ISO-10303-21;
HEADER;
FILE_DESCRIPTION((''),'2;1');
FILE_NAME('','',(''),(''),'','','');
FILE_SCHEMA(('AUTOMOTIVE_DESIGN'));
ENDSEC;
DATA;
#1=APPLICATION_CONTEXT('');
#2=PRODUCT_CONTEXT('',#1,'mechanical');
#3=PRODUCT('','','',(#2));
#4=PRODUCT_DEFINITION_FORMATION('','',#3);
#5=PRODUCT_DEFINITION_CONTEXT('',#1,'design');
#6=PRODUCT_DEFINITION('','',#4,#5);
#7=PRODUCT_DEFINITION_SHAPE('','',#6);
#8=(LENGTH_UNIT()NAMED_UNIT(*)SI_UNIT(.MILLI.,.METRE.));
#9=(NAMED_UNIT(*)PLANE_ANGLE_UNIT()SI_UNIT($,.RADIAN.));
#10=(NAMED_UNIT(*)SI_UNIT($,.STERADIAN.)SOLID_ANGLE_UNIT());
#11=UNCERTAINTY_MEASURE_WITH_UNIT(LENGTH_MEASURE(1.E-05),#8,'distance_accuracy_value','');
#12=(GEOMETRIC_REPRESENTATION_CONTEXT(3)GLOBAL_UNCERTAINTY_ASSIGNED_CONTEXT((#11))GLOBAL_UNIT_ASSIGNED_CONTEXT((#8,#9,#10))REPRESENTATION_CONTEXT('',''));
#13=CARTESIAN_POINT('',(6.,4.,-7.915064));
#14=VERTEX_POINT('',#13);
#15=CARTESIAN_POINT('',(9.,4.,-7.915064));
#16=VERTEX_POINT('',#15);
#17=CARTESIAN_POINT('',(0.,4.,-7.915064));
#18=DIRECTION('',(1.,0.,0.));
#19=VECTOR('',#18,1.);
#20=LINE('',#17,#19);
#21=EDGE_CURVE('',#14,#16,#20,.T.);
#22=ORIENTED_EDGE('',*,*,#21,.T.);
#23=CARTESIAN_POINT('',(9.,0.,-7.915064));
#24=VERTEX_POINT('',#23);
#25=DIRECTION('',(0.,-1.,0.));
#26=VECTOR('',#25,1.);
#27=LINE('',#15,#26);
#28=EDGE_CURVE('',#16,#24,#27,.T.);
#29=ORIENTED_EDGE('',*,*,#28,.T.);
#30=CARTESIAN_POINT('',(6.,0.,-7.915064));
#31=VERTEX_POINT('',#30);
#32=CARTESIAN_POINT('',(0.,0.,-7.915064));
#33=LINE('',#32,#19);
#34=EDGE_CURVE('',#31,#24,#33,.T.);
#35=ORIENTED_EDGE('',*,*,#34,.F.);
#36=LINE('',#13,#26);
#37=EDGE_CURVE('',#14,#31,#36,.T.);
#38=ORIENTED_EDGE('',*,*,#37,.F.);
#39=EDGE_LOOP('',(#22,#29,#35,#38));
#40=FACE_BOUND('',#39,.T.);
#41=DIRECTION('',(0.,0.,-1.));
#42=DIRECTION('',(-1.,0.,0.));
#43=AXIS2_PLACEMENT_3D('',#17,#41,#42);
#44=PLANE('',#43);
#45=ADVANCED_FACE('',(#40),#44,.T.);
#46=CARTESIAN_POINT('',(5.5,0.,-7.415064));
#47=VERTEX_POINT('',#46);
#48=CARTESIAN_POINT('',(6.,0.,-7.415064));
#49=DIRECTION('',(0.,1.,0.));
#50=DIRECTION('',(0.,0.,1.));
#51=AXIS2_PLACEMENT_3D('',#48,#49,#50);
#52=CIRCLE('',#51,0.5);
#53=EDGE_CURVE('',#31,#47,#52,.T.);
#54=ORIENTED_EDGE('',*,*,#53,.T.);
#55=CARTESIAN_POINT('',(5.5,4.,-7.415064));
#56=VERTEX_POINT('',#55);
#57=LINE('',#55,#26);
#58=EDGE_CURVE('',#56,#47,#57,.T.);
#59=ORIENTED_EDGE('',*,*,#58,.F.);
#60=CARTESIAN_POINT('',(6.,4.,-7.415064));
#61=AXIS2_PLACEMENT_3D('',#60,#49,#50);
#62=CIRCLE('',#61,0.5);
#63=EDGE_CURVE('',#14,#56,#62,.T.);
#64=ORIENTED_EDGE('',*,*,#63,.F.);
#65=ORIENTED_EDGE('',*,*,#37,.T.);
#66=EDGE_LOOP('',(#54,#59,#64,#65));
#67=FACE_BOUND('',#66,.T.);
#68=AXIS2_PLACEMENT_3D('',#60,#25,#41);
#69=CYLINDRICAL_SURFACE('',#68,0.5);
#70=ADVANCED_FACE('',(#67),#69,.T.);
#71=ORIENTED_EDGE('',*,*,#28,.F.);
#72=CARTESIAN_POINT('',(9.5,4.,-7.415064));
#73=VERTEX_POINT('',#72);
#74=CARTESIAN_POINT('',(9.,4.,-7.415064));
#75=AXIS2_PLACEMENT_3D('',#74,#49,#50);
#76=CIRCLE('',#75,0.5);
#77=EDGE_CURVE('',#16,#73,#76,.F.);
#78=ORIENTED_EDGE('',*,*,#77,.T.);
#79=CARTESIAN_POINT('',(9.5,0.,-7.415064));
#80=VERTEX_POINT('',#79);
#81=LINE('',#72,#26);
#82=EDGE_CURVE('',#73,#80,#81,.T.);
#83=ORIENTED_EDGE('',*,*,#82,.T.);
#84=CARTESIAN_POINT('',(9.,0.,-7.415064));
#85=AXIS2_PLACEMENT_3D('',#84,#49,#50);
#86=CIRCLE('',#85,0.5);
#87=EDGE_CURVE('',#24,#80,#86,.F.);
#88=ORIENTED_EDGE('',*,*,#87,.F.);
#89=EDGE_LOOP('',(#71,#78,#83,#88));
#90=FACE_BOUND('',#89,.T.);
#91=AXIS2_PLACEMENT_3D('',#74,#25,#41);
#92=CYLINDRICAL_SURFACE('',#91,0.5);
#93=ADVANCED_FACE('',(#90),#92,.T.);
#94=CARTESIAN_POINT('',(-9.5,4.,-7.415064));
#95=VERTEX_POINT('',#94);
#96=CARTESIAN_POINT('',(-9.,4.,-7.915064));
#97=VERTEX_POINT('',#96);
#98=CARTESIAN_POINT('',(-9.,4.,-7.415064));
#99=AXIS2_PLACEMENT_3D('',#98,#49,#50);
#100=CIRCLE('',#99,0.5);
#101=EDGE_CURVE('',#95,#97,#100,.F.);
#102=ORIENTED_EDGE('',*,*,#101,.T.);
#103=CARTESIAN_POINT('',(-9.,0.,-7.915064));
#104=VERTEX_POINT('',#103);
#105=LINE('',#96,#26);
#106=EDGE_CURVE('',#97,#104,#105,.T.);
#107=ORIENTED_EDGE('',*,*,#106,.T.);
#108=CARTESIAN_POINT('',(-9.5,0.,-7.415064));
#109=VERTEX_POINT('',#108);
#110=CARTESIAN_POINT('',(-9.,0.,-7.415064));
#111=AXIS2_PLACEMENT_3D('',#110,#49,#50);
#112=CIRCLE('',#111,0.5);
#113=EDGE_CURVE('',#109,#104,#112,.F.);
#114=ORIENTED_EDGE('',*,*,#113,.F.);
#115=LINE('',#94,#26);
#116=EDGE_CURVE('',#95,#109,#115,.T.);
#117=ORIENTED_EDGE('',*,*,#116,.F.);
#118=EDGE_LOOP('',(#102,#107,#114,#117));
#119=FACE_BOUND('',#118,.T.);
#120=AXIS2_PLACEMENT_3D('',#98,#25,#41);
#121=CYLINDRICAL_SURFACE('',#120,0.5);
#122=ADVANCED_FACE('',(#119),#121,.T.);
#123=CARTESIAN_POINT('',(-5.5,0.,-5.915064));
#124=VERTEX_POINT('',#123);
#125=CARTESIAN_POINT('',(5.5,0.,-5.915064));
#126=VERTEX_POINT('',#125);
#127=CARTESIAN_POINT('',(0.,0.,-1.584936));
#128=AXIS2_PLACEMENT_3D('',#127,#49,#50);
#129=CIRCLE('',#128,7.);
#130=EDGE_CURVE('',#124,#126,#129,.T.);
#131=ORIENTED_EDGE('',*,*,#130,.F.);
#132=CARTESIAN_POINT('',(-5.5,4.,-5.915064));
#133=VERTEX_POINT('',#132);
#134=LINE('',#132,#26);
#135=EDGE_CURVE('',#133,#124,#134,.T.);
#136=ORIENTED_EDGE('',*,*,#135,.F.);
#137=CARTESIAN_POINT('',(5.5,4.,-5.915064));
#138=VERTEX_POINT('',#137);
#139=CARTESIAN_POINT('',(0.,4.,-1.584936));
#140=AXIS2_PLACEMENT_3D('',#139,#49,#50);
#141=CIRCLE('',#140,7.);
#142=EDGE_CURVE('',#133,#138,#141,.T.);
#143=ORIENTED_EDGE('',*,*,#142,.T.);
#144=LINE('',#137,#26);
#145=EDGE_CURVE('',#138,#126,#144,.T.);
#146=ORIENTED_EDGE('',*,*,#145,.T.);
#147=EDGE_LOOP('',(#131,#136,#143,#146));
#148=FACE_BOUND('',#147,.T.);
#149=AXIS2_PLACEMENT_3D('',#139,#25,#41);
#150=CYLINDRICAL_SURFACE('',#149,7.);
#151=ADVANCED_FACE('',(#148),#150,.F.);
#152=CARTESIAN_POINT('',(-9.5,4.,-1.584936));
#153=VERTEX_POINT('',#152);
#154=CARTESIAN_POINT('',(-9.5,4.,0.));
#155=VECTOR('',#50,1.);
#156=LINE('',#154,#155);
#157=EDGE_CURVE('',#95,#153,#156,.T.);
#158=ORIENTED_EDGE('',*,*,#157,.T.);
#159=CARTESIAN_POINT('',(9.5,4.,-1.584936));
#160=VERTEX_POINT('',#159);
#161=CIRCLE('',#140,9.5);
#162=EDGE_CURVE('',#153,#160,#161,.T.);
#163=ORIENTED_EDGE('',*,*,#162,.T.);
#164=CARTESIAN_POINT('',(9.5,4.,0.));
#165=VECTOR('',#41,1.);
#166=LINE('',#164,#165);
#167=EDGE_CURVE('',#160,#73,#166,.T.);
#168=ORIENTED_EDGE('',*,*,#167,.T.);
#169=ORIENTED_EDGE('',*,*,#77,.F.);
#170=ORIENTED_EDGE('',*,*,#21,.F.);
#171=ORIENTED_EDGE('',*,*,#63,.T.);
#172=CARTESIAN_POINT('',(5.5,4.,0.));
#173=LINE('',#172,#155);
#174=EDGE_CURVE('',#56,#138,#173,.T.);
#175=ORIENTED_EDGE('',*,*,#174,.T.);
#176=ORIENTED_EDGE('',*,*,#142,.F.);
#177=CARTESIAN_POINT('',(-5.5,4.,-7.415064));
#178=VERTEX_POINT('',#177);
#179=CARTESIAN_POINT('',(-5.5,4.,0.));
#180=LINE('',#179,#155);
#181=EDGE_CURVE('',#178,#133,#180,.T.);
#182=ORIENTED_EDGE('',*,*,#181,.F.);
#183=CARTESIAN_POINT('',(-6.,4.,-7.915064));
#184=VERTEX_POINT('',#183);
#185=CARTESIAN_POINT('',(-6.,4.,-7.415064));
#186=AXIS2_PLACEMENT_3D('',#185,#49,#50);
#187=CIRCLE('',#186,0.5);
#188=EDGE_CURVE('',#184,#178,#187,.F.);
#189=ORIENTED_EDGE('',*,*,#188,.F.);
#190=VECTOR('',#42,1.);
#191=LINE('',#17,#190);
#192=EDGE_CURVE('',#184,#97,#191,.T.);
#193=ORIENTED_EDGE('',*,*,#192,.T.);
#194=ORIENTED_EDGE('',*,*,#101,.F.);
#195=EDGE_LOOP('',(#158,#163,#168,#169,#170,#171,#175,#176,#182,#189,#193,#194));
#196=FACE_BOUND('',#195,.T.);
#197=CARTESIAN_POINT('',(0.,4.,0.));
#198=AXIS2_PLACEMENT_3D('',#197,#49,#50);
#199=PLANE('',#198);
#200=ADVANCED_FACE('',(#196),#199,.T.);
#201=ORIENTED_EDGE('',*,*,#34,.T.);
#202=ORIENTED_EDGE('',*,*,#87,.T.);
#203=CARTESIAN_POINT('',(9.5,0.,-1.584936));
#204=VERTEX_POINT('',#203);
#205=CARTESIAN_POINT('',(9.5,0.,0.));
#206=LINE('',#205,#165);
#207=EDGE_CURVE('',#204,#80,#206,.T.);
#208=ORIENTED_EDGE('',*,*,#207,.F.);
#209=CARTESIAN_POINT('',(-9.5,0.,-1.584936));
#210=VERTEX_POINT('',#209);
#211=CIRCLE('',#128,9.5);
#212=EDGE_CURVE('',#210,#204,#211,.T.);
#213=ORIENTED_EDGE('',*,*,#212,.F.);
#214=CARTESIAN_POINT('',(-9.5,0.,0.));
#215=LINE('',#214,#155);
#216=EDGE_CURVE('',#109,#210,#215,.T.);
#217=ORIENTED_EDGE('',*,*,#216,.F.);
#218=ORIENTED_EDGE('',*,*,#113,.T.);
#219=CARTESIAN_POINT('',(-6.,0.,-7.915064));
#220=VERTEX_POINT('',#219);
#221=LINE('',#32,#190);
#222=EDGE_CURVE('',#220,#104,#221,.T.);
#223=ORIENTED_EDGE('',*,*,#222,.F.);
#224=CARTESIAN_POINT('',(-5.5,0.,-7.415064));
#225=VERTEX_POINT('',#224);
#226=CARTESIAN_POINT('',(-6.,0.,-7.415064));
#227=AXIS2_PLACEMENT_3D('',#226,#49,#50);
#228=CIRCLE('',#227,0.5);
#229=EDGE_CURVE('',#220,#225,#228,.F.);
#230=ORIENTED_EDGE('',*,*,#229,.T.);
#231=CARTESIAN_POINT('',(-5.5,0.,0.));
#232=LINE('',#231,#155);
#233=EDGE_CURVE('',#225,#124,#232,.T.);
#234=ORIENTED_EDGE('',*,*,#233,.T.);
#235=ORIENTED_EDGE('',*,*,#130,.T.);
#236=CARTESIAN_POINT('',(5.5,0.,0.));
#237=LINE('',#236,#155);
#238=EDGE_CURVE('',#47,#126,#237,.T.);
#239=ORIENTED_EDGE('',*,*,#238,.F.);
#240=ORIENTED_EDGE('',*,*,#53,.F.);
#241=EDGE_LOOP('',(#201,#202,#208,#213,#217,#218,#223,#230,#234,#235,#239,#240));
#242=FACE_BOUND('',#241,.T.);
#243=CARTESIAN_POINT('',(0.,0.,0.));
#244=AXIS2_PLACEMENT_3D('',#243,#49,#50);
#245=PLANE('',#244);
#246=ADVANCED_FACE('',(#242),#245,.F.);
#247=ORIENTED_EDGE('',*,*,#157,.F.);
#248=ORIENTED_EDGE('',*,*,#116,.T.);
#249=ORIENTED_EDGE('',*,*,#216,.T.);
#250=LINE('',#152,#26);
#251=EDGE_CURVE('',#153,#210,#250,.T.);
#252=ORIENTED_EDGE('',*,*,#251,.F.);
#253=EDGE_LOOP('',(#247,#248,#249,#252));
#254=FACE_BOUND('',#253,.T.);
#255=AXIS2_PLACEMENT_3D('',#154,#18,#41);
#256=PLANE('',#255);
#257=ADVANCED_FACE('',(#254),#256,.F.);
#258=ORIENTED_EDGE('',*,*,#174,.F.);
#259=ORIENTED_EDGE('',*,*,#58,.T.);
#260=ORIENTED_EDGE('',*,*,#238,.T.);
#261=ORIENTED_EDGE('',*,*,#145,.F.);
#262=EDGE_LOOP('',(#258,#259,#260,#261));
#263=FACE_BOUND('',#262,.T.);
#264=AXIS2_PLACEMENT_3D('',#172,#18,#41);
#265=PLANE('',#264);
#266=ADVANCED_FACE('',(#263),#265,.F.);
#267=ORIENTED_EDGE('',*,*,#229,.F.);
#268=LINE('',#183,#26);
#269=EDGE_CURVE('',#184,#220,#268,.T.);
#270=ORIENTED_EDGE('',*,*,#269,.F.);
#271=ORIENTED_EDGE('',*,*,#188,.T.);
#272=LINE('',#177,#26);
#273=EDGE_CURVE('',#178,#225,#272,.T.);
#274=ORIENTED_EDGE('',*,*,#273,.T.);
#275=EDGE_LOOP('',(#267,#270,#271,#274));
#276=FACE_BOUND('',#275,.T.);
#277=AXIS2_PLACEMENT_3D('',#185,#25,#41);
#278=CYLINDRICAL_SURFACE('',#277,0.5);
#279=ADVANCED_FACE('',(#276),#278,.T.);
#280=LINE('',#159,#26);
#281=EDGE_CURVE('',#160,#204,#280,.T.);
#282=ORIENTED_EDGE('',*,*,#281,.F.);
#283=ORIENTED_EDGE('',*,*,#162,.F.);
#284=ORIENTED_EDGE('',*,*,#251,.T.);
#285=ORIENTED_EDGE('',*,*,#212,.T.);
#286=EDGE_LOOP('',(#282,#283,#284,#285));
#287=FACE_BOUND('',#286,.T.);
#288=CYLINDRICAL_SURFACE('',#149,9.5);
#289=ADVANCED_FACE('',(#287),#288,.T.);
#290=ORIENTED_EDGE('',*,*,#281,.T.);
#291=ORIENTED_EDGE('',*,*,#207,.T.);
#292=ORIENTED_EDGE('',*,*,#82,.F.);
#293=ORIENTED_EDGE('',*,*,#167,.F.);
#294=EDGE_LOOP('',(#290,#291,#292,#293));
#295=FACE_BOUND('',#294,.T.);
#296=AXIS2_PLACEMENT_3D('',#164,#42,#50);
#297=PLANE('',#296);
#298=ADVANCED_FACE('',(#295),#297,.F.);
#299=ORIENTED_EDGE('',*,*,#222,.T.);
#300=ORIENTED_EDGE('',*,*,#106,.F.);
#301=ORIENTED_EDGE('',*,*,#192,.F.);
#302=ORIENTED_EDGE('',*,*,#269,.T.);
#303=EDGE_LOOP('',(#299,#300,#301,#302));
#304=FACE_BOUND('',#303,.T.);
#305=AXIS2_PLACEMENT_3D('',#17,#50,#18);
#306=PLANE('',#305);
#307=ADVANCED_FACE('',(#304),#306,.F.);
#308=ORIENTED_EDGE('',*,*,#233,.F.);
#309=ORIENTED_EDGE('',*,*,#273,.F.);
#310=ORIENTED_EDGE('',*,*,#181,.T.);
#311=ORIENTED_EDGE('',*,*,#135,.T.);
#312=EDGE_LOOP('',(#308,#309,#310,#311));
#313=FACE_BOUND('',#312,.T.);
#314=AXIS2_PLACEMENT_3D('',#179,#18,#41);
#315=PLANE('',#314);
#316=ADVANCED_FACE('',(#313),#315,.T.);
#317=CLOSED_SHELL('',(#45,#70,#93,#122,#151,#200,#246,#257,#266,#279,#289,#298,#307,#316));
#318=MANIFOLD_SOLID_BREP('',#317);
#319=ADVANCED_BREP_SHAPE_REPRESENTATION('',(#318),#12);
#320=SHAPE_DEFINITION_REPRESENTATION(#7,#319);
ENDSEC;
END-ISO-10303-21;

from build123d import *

# Parameters (mm, degrees)
BOSS_EXTRUDE1_DEPTH = 4


with BuildPart() as part:
    # Sketch1 → Boss-Extrude1 (new body)
    with BuildSketch(Plane(origin=(0, 0, 0), x_dir=(1, 0, 0), z_dir=(0, 1, 0))):
        with BuildLine():
            ThreePointArc((-5.5, 7.415063509), (-5.646446609, 7.7686169), (-6, 7.915063509))
            Line((-6, 7.915063509), (-9, 7.915063509))
            ThreePointArc((-9, 7.915063509), (-9.353553391, 7.7686169), (-9.5, 7.415063509))
            Line((-9.5, 7.415063509), (-9.5, 1.584936491))
            ThreePointArc((-9.5, 1.584936491), (0, -7.915063509), (9.5, 1.584936491))
            Line((9.5, 1.584936491), (9.5, 7.415063509))
            ThreePointArc((9.5, 7.415063509), (9.353553391, 7.7686169), (9, 7.915063509))
            Line((9, 7.915063509), (6, 7.915063509))
            ThreePointArc((6, 7.915063509), (5.646446609, 7.7686169), (5.5, 7.415063509))
            Line((5.5, 7.415063509), (5.5, 5.915063509))
            ThreePointArc((5.5, 5.915063509), (6.614378278, 3.876224338), (7, 1.584936491))
            ThreePointArc((7, 1.584936491), (0, -5.415063509), (-7, 1.584936491))
            ThreePointArc((-7, 1.584936491), (-6.614378278, 3.876224338), (-5.5, 5.915063509))
            Line((-5.5, 5.915063509), (-5.5, 7.415063509))
        make_face()
    extrude(amount=BOSS_EXTRUDE1_DEPTH)


solid = part.part
